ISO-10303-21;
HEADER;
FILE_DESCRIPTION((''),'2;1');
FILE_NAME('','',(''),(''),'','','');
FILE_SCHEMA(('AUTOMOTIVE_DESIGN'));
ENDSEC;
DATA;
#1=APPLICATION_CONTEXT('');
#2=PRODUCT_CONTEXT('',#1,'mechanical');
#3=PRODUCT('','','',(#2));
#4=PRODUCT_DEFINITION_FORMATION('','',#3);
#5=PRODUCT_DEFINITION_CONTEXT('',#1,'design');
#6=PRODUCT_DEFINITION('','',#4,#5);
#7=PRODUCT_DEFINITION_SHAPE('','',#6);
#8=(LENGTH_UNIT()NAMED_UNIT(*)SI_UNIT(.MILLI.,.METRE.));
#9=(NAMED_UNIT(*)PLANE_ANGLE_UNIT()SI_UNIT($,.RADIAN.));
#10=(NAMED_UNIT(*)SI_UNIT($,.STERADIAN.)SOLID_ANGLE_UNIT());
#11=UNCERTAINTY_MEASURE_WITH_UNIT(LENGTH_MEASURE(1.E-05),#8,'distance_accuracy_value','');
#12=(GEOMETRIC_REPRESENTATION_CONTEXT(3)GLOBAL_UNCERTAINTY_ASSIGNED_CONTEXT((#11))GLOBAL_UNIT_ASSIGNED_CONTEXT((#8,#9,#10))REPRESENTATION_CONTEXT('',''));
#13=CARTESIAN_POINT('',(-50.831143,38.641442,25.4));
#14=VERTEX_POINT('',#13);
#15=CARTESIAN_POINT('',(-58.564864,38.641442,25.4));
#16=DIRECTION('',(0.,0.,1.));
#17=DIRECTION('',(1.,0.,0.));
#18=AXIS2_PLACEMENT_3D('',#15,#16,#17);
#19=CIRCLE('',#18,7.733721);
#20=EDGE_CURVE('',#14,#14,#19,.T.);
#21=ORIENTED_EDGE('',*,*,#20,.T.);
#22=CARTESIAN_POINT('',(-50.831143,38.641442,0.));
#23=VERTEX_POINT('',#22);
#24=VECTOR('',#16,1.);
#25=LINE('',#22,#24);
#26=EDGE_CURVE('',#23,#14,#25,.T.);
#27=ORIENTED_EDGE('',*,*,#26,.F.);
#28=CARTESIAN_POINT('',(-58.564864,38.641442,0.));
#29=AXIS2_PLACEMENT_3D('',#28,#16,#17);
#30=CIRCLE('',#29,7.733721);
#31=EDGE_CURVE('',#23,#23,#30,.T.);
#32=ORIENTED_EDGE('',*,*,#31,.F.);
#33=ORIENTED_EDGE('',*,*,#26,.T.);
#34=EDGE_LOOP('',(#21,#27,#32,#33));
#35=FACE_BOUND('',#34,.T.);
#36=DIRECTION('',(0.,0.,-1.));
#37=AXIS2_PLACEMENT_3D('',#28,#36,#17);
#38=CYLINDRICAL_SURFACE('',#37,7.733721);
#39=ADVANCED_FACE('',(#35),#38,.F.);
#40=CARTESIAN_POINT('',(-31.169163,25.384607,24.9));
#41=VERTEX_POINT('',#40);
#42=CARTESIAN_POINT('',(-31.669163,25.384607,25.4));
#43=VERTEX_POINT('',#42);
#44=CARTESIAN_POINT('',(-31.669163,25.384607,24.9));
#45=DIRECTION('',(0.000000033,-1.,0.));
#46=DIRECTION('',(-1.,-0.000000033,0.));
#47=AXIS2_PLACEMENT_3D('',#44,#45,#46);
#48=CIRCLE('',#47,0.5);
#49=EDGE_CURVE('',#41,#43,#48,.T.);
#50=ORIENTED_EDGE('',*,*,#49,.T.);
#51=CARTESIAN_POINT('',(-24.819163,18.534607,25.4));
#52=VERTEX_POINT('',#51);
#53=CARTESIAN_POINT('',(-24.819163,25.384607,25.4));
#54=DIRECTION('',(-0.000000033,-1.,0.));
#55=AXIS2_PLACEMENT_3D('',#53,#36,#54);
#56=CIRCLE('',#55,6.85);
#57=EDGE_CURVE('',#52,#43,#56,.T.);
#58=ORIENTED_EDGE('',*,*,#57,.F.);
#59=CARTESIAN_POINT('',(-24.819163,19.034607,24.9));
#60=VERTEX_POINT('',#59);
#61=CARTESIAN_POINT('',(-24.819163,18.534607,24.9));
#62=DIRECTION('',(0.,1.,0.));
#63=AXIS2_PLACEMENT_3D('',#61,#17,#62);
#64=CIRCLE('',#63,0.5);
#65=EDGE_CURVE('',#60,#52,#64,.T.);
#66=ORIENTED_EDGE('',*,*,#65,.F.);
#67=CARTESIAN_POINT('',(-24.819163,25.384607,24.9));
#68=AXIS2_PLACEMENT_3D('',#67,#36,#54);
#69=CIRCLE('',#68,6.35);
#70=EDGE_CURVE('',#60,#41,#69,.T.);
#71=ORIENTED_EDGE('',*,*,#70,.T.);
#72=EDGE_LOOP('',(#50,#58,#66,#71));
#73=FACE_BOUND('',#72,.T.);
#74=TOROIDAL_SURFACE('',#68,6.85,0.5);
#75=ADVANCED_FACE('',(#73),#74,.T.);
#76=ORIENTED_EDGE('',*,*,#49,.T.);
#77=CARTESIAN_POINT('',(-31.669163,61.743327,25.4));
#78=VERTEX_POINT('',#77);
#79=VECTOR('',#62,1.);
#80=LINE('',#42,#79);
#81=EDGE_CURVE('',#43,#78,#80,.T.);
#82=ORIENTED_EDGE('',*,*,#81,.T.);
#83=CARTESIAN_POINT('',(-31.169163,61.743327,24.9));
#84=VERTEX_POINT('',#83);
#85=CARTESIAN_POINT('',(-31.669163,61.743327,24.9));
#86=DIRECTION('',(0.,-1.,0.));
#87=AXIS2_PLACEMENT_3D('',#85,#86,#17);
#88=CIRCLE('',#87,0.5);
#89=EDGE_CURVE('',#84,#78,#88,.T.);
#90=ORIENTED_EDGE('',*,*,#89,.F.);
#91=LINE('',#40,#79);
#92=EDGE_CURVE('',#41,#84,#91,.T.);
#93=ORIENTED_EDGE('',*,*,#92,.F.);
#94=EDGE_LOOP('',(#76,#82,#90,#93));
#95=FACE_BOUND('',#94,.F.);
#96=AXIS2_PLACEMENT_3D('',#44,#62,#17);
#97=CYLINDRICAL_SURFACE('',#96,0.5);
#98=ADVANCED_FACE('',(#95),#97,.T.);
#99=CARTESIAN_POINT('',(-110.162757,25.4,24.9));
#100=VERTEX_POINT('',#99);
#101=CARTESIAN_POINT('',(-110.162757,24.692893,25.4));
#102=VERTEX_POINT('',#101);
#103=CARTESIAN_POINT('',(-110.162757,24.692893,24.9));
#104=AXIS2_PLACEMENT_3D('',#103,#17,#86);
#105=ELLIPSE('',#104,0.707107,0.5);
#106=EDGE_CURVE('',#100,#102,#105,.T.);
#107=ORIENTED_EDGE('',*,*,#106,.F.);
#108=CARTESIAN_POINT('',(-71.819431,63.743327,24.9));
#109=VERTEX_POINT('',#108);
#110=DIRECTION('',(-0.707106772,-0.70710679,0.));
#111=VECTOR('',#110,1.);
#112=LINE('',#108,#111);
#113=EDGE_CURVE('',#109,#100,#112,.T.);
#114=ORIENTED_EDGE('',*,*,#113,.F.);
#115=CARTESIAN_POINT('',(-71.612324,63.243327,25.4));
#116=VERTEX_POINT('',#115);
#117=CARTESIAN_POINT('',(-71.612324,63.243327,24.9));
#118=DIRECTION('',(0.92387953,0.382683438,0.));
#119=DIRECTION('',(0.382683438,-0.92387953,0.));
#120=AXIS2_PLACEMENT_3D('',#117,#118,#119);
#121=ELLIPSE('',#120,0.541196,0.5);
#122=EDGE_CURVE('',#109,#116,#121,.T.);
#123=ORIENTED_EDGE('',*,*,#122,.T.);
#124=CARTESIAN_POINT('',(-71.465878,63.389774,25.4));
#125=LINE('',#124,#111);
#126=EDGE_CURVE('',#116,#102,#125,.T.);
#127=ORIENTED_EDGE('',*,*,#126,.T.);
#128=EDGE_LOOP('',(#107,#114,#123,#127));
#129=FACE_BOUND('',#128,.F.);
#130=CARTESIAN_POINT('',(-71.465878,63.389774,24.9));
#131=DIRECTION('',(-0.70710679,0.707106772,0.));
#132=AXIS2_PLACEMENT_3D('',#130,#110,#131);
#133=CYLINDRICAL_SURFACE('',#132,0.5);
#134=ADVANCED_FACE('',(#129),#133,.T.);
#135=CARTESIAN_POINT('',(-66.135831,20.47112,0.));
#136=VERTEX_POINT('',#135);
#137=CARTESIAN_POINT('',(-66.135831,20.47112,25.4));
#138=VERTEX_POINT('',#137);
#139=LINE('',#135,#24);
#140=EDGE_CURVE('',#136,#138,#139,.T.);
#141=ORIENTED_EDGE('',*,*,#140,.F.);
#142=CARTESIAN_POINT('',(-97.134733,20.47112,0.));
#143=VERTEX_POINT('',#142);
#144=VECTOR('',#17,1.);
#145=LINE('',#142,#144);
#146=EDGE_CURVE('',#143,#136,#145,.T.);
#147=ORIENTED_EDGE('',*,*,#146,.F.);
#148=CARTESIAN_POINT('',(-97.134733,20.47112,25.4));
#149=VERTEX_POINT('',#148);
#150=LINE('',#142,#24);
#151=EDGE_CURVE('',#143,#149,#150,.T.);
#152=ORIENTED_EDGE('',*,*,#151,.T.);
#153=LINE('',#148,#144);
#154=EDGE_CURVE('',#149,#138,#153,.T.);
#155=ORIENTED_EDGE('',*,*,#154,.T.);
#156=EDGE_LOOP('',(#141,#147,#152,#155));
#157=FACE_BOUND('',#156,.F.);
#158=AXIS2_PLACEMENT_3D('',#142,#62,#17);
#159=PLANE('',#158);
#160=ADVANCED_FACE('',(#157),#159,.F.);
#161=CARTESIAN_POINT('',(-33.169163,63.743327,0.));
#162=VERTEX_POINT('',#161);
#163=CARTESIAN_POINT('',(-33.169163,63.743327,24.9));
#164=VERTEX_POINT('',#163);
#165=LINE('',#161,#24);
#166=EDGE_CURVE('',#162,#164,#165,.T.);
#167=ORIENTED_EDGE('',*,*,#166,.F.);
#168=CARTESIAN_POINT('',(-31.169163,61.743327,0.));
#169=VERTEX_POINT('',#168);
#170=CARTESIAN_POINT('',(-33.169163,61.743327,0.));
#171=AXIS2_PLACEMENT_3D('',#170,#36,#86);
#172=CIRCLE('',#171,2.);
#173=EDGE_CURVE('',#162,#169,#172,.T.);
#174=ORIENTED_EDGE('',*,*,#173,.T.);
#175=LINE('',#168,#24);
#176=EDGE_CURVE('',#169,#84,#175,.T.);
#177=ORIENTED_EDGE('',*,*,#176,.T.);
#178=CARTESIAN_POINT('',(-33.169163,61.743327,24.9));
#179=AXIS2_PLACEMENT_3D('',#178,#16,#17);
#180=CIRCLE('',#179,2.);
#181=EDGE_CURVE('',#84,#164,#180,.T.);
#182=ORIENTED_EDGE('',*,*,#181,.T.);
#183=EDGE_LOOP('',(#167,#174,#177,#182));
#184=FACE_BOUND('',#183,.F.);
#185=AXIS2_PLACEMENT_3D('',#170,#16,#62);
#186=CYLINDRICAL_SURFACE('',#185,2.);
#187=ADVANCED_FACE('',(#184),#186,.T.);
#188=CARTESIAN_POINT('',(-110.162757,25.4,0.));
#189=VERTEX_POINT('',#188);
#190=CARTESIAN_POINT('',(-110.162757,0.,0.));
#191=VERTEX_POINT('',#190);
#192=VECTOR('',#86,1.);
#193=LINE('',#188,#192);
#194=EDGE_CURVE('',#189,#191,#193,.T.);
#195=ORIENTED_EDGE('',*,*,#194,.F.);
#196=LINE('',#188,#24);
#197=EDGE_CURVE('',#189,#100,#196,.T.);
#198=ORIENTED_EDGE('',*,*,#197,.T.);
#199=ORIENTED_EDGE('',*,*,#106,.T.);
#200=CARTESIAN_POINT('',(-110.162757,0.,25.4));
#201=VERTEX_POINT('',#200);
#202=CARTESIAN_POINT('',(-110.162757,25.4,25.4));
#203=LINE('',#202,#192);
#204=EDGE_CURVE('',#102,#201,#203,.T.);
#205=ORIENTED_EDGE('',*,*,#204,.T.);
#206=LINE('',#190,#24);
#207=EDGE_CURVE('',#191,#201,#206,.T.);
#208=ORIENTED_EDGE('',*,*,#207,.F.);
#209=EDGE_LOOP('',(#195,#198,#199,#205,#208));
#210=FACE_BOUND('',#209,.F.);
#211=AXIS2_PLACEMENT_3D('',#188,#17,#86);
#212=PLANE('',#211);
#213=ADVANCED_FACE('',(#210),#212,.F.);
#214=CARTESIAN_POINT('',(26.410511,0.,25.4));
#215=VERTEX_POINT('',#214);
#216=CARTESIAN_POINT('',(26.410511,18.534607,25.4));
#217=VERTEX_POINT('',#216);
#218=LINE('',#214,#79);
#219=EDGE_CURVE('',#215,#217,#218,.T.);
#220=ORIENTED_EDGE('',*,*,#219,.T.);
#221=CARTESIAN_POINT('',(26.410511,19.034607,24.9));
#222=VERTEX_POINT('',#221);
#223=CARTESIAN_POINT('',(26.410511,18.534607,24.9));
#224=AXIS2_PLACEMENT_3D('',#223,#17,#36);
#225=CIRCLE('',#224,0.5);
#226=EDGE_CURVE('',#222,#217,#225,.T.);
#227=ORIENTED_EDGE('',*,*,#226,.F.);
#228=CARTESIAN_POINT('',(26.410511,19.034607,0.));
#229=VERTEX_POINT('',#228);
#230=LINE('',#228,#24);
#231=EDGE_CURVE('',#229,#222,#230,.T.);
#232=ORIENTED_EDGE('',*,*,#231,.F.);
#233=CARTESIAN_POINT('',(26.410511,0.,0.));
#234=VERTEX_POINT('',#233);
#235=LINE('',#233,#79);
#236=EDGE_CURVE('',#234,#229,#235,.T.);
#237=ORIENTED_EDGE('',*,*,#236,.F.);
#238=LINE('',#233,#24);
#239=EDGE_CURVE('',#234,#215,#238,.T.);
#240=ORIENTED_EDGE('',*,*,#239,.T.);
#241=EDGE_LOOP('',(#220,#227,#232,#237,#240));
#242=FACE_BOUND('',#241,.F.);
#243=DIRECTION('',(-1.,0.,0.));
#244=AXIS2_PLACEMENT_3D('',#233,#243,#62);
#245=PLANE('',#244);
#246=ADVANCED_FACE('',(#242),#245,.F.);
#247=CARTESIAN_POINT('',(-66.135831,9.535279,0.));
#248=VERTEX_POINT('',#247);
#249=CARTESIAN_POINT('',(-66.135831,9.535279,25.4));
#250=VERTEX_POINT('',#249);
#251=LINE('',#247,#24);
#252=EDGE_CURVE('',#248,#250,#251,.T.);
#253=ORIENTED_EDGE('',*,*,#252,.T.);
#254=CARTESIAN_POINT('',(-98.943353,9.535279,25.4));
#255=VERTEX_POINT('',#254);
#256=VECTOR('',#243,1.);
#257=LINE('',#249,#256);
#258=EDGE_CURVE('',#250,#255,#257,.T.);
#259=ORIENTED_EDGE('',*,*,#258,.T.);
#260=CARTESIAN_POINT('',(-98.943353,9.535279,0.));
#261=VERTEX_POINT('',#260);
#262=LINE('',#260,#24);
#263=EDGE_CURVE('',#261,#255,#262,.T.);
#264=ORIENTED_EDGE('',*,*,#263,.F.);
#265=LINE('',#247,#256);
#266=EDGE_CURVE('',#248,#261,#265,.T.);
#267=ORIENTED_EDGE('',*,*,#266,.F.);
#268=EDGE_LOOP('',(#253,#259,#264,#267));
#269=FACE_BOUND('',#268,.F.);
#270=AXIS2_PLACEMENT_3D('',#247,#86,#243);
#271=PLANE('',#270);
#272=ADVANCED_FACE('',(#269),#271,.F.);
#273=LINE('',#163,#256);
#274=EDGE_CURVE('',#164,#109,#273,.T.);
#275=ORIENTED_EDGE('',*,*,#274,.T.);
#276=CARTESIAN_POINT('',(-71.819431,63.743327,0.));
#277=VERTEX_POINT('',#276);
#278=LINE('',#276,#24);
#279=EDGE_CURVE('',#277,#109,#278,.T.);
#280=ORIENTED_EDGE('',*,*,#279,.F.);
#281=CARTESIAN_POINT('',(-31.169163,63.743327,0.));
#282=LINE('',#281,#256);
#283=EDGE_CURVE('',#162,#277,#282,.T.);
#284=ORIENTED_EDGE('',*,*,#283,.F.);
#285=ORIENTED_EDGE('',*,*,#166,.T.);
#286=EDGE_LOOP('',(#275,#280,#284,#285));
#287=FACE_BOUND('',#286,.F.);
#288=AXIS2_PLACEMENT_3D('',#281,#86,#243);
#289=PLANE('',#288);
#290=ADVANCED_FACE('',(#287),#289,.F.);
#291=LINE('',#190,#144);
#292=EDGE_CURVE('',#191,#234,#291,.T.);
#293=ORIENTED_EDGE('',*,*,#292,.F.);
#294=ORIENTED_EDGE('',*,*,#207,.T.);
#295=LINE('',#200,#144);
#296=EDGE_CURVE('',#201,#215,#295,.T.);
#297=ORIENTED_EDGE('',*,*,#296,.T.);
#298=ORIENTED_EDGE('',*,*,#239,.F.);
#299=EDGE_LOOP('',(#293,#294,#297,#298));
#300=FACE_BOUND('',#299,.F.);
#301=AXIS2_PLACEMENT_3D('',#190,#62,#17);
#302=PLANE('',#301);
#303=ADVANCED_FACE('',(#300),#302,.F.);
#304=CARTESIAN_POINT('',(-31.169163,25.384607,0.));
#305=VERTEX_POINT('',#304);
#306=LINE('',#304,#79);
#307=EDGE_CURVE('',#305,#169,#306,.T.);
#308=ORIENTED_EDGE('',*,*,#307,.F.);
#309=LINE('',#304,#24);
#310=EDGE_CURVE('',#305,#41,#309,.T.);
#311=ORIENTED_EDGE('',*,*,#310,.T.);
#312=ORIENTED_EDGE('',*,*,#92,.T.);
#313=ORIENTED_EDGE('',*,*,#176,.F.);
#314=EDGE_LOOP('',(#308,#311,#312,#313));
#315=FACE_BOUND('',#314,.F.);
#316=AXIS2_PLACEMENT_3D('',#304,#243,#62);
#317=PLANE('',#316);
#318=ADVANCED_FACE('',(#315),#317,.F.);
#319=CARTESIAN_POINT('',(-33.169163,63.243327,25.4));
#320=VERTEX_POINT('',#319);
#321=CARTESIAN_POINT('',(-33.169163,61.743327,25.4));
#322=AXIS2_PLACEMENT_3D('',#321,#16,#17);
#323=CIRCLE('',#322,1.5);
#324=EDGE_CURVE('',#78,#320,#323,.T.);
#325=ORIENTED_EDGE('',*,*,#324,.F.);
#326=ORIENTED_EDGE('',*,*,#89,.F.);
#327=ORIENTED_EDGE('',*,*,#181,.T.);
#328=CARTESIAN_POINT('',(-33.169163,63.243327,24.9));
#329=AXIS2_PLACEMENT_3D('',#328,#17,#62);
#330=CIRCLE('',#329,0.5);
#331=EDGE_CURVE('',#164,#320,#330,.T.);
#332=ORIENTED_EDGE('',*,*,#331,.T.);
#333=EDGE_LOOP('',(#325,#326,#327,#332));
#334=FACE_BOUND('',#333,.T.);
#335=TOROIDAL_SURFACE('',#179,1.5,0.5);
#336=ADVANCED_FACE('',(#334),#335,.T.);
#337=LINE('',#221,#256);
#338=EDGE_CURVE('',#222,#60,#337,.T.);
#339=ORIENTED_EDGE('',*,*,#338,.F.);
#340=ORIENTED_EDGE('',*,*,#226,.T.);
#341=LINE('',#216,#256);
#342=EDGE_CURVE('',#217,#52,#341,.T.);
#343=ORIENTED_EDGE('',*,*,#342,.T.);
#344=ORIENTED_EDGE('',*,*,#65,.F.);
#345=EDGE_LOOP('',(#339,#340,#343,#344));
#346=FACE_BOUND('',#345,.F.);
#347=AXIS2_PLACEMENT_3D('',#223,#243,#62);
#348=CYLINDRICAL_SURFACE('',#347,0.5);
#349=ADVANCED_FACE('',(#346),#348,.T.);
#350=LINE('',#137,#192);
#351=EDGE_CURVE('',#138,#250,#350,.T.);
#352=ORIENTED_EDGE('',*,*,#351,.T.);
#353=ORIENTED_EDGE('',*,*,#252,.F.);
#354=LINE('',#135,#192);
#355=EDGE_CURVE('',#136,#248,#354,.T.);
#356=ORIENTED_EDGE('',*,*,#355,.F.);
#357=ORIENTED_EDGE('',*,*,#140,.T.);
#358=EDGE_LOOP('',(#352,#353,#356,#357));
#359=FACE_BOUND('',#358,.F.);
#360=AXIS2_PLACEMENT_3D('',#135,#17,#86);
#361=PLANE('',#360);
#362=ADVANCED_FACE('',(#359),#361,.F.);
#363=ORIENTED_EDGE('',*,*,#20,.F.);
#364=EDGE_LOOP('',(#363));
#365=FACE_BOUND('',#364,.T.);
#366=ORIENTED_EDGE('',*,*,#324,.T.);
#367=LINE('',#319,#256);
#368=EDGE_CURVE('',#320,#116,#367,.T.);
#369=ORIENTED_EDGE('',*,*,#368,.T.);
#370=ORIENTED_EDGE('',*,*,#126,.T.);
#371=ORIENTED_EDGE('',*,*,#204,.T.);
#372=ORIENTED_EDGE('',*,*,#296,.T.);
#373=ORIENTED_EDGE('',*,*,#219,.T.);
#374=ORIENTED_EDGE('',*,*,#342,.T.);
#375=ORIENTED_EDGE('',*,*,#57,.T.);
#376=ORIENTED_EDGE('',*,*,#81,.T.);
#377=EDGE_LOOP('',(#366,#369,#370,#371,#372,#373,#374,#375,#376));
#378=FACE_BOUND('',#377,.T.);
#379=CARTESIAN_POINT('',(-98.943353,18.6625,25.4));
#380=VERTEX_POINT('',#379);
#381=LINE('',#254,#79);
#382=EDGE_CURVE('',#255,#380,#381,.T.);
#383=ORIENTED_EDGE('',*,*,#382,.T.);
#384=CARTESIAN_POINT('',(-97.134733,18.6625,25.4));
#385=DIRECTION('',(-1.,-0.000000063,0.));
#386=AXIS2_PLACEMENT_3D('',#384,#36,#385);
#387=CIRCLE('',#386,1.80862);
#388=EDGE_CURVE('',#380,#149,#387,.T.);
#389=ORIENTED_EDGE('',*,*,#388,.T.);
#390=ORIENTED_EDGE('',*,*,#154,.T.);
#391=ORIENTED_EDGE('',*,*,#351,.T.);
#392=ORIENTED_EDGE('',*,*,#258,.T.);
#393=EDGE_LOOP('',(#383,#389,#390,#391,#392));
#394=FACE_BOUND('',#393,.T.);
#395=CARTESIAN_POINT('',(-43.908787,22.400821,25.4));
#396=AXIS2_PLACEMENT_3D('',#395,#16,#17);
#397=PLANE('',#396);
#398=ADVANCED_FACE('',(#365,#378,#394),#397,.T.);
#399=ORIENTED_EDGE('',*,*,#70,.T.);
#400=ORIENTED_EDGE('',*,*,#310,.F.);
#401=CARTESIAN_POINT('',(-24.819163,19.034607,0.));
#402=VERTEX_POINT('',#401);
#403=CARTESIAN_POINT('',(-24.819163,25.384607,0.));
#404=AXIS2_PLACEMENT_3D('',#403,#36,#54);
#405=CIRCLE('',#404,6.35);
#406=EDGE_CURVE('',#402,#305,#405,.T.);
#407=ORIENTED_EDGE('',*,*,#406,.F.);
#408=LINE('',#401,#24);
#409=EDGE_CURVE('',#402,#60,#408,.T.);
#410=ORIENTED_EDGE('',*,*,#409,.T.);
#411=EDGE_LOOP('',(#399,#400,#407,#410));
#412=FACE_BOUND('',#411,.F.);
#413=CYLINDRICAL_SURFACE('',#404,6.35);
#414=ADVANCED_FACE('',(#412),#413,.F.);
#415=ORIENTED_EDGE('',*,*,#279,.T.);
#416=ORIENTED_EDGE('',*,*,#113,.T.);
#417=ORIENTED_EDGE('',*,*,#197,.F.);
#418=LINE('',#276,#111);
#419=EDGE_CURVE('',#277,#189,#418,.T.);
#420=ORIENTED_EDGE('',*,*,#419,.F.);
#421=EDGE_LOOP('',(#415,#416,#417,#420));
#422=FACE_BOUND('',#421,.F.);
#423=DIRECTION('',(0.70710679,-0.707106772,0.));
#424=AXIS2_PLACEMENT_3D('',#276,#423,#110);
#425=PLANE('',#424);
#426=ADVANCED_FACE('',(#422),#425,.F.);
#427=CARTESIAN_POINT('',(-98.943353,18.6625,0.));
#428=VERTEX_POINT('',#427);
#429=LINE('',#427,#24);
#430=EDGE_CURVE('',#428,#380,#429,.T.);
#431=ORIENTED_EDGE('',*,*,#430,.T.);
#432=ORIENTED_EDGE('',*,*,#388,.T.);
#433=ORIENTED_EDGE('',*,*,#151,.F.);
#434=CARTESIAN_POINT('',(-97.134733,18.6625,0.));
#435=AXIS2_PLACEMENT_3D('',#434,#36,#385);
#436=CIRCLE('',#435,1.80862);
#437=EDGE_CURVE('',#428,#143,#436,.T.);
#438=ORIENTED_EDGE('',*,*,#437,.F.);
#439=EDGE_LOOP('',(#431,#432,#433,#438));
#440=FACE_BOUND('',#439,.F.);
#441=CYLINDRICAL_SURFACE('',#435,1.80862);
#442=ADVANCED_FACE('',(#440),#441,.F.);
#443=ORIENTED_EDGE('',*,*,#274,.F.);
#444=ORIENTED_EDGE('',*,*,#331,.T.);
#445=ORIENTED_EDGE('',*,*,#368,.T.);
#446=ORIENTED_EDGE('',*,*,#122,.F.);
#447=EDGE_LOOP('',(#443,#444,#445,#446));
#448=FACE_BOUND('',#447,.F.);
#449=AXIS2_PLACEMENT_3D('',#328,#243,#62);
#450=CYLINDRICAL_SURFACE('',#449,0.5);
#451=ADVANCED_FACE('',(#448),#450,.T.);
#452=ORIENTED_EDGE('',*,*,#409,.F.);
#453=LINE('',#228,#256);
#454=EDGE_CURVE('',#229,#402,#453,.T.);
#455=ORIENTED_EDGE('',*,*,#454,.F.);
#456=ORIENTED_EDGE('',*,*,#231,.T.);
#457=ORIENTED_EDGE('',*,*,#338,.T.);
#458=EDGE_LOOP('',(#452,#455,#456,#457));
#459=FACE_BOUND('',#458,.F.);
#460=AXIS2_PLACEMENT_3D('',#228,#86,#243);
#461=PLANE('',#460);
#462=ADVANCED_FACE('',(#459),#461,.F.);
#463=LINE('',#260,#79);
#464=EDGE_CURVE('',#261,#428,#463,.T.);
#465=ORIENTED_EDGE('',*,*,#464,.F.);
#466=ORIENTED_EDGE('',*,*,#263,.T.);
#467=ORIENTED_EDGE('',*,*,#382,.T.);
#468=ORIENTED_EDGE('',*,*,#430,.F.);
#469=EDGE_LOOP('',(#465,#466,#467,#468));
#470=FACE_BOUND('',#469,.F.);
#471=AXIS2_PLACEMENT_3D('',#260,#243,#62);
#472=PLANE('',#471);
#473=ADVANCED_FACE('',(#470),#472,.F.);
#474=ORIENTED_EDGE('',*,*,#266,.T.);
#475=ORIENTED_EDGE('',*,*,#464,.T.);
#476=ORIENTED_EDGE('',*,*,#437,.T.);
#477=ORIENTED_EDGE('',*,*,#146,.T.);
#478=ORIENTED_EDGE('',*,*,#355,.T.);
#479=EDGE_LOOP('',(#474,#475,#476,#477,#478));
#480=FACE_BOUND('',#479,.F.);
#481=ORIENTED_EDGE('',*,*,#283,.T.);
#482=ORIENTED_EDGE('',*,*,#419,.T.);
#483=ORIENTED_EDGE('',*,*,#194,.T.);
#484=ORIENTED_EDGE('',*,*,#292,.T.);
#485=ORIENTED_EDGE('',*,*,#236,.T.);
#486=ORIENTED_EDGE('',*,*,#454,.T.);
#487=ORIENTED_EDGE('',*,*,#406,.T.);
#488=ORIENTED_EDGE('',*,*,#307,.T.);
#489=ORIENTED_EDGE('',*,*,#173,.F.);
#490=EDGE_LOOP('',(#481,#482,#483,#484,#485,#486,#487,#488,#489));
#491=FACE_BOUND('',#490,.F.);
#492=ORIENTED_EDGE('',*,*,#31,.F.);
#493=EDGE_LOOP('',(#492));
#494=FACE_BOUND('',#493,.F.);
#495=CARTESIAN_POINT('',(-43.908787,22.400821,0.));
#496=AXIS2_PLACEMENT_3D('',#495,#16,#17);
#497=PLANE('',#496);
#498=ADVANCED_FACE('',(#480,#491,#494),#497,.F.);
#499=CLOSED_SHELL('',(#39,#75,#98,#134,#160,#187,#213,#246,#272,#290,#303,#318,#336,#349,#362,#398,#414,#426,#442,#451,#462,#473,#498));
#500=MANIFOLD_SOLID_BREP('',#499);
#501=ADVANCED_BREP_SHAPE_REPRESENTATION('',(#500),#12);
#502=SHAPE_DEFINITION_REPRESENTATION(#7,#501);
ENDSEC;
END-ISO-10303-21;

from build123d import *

# Parameters (mm, degrees)
F0_R     = 7.733721
F1_DEPTH = 25.4
F2_R     = 2
F3_R     = 0.5


with BuildPart() as f1:
    # F0 (on Top) → F1 (new body)
    with BuildSketch(Plane.XY):
        with BuildLine():
            Line((-110.162757, 0), (0, 0))
            Line((0, 0), (26.410511, 0))
            Line((26.410511, 0), (26.410511, 19.034607))
            Line((26.410511, 19.034607), (-24.819163, 19.034607))
            ThreePointArc((-24.819163, 19.034607), (-29.309291, 20.894479), (-31.169163, 25.384607))
            Line((-31.169163, 25.384607), (-31.169163, 63.743327))
            Line((-31.169163, 63.743327), (-71.819431, 63.743327))
            Line((-71.819431, 63.743327), (-110.162757, 25.4))
            Line((-110.162757, 25.4), (-110.162757, 0))
        make_face()
        with BuildLine():
            ThreePointArc((-98.943353, 18.6625), (-98.41362, 19.941388), (-97.134733, 20.47112))
            Line((-97.134733, 20.47112), (-66.135831, 20.47112))
            Line((-66.135831, 20.47112), (-66.135831, 9.535279))
            Line((-66.135831, 9.535279), (-98.943353, 9.535279))
            Line((-98.943353, 9.535279), (-98.943353, 18.6625))
        make_face(mode=Mode.SUBTRACT)
        with Locations((-58.564864, 38.641442)):
            Circle(F0_R, mode=Mode.SUBTRACT)
    extrude(amount=F1_DEPTH)

    # F2
    f2_edges = [f1.edges().sort_by_distance(p)[0] for p in [
        (-31.169163, 63.743327, 12.7),
    ]]
    fillet(f2_edges, radius=F2_R)

    # F3
    f3_edges = [f1.edges().sort_by_distance(p)[0] for p in [
        (-90.991094, 44.571663, 25.4),
        (-52.494297, 63.743327, 25.4),
    ]]
    fillet(f3_edges, radius=F3_R)


solid = f1.part
